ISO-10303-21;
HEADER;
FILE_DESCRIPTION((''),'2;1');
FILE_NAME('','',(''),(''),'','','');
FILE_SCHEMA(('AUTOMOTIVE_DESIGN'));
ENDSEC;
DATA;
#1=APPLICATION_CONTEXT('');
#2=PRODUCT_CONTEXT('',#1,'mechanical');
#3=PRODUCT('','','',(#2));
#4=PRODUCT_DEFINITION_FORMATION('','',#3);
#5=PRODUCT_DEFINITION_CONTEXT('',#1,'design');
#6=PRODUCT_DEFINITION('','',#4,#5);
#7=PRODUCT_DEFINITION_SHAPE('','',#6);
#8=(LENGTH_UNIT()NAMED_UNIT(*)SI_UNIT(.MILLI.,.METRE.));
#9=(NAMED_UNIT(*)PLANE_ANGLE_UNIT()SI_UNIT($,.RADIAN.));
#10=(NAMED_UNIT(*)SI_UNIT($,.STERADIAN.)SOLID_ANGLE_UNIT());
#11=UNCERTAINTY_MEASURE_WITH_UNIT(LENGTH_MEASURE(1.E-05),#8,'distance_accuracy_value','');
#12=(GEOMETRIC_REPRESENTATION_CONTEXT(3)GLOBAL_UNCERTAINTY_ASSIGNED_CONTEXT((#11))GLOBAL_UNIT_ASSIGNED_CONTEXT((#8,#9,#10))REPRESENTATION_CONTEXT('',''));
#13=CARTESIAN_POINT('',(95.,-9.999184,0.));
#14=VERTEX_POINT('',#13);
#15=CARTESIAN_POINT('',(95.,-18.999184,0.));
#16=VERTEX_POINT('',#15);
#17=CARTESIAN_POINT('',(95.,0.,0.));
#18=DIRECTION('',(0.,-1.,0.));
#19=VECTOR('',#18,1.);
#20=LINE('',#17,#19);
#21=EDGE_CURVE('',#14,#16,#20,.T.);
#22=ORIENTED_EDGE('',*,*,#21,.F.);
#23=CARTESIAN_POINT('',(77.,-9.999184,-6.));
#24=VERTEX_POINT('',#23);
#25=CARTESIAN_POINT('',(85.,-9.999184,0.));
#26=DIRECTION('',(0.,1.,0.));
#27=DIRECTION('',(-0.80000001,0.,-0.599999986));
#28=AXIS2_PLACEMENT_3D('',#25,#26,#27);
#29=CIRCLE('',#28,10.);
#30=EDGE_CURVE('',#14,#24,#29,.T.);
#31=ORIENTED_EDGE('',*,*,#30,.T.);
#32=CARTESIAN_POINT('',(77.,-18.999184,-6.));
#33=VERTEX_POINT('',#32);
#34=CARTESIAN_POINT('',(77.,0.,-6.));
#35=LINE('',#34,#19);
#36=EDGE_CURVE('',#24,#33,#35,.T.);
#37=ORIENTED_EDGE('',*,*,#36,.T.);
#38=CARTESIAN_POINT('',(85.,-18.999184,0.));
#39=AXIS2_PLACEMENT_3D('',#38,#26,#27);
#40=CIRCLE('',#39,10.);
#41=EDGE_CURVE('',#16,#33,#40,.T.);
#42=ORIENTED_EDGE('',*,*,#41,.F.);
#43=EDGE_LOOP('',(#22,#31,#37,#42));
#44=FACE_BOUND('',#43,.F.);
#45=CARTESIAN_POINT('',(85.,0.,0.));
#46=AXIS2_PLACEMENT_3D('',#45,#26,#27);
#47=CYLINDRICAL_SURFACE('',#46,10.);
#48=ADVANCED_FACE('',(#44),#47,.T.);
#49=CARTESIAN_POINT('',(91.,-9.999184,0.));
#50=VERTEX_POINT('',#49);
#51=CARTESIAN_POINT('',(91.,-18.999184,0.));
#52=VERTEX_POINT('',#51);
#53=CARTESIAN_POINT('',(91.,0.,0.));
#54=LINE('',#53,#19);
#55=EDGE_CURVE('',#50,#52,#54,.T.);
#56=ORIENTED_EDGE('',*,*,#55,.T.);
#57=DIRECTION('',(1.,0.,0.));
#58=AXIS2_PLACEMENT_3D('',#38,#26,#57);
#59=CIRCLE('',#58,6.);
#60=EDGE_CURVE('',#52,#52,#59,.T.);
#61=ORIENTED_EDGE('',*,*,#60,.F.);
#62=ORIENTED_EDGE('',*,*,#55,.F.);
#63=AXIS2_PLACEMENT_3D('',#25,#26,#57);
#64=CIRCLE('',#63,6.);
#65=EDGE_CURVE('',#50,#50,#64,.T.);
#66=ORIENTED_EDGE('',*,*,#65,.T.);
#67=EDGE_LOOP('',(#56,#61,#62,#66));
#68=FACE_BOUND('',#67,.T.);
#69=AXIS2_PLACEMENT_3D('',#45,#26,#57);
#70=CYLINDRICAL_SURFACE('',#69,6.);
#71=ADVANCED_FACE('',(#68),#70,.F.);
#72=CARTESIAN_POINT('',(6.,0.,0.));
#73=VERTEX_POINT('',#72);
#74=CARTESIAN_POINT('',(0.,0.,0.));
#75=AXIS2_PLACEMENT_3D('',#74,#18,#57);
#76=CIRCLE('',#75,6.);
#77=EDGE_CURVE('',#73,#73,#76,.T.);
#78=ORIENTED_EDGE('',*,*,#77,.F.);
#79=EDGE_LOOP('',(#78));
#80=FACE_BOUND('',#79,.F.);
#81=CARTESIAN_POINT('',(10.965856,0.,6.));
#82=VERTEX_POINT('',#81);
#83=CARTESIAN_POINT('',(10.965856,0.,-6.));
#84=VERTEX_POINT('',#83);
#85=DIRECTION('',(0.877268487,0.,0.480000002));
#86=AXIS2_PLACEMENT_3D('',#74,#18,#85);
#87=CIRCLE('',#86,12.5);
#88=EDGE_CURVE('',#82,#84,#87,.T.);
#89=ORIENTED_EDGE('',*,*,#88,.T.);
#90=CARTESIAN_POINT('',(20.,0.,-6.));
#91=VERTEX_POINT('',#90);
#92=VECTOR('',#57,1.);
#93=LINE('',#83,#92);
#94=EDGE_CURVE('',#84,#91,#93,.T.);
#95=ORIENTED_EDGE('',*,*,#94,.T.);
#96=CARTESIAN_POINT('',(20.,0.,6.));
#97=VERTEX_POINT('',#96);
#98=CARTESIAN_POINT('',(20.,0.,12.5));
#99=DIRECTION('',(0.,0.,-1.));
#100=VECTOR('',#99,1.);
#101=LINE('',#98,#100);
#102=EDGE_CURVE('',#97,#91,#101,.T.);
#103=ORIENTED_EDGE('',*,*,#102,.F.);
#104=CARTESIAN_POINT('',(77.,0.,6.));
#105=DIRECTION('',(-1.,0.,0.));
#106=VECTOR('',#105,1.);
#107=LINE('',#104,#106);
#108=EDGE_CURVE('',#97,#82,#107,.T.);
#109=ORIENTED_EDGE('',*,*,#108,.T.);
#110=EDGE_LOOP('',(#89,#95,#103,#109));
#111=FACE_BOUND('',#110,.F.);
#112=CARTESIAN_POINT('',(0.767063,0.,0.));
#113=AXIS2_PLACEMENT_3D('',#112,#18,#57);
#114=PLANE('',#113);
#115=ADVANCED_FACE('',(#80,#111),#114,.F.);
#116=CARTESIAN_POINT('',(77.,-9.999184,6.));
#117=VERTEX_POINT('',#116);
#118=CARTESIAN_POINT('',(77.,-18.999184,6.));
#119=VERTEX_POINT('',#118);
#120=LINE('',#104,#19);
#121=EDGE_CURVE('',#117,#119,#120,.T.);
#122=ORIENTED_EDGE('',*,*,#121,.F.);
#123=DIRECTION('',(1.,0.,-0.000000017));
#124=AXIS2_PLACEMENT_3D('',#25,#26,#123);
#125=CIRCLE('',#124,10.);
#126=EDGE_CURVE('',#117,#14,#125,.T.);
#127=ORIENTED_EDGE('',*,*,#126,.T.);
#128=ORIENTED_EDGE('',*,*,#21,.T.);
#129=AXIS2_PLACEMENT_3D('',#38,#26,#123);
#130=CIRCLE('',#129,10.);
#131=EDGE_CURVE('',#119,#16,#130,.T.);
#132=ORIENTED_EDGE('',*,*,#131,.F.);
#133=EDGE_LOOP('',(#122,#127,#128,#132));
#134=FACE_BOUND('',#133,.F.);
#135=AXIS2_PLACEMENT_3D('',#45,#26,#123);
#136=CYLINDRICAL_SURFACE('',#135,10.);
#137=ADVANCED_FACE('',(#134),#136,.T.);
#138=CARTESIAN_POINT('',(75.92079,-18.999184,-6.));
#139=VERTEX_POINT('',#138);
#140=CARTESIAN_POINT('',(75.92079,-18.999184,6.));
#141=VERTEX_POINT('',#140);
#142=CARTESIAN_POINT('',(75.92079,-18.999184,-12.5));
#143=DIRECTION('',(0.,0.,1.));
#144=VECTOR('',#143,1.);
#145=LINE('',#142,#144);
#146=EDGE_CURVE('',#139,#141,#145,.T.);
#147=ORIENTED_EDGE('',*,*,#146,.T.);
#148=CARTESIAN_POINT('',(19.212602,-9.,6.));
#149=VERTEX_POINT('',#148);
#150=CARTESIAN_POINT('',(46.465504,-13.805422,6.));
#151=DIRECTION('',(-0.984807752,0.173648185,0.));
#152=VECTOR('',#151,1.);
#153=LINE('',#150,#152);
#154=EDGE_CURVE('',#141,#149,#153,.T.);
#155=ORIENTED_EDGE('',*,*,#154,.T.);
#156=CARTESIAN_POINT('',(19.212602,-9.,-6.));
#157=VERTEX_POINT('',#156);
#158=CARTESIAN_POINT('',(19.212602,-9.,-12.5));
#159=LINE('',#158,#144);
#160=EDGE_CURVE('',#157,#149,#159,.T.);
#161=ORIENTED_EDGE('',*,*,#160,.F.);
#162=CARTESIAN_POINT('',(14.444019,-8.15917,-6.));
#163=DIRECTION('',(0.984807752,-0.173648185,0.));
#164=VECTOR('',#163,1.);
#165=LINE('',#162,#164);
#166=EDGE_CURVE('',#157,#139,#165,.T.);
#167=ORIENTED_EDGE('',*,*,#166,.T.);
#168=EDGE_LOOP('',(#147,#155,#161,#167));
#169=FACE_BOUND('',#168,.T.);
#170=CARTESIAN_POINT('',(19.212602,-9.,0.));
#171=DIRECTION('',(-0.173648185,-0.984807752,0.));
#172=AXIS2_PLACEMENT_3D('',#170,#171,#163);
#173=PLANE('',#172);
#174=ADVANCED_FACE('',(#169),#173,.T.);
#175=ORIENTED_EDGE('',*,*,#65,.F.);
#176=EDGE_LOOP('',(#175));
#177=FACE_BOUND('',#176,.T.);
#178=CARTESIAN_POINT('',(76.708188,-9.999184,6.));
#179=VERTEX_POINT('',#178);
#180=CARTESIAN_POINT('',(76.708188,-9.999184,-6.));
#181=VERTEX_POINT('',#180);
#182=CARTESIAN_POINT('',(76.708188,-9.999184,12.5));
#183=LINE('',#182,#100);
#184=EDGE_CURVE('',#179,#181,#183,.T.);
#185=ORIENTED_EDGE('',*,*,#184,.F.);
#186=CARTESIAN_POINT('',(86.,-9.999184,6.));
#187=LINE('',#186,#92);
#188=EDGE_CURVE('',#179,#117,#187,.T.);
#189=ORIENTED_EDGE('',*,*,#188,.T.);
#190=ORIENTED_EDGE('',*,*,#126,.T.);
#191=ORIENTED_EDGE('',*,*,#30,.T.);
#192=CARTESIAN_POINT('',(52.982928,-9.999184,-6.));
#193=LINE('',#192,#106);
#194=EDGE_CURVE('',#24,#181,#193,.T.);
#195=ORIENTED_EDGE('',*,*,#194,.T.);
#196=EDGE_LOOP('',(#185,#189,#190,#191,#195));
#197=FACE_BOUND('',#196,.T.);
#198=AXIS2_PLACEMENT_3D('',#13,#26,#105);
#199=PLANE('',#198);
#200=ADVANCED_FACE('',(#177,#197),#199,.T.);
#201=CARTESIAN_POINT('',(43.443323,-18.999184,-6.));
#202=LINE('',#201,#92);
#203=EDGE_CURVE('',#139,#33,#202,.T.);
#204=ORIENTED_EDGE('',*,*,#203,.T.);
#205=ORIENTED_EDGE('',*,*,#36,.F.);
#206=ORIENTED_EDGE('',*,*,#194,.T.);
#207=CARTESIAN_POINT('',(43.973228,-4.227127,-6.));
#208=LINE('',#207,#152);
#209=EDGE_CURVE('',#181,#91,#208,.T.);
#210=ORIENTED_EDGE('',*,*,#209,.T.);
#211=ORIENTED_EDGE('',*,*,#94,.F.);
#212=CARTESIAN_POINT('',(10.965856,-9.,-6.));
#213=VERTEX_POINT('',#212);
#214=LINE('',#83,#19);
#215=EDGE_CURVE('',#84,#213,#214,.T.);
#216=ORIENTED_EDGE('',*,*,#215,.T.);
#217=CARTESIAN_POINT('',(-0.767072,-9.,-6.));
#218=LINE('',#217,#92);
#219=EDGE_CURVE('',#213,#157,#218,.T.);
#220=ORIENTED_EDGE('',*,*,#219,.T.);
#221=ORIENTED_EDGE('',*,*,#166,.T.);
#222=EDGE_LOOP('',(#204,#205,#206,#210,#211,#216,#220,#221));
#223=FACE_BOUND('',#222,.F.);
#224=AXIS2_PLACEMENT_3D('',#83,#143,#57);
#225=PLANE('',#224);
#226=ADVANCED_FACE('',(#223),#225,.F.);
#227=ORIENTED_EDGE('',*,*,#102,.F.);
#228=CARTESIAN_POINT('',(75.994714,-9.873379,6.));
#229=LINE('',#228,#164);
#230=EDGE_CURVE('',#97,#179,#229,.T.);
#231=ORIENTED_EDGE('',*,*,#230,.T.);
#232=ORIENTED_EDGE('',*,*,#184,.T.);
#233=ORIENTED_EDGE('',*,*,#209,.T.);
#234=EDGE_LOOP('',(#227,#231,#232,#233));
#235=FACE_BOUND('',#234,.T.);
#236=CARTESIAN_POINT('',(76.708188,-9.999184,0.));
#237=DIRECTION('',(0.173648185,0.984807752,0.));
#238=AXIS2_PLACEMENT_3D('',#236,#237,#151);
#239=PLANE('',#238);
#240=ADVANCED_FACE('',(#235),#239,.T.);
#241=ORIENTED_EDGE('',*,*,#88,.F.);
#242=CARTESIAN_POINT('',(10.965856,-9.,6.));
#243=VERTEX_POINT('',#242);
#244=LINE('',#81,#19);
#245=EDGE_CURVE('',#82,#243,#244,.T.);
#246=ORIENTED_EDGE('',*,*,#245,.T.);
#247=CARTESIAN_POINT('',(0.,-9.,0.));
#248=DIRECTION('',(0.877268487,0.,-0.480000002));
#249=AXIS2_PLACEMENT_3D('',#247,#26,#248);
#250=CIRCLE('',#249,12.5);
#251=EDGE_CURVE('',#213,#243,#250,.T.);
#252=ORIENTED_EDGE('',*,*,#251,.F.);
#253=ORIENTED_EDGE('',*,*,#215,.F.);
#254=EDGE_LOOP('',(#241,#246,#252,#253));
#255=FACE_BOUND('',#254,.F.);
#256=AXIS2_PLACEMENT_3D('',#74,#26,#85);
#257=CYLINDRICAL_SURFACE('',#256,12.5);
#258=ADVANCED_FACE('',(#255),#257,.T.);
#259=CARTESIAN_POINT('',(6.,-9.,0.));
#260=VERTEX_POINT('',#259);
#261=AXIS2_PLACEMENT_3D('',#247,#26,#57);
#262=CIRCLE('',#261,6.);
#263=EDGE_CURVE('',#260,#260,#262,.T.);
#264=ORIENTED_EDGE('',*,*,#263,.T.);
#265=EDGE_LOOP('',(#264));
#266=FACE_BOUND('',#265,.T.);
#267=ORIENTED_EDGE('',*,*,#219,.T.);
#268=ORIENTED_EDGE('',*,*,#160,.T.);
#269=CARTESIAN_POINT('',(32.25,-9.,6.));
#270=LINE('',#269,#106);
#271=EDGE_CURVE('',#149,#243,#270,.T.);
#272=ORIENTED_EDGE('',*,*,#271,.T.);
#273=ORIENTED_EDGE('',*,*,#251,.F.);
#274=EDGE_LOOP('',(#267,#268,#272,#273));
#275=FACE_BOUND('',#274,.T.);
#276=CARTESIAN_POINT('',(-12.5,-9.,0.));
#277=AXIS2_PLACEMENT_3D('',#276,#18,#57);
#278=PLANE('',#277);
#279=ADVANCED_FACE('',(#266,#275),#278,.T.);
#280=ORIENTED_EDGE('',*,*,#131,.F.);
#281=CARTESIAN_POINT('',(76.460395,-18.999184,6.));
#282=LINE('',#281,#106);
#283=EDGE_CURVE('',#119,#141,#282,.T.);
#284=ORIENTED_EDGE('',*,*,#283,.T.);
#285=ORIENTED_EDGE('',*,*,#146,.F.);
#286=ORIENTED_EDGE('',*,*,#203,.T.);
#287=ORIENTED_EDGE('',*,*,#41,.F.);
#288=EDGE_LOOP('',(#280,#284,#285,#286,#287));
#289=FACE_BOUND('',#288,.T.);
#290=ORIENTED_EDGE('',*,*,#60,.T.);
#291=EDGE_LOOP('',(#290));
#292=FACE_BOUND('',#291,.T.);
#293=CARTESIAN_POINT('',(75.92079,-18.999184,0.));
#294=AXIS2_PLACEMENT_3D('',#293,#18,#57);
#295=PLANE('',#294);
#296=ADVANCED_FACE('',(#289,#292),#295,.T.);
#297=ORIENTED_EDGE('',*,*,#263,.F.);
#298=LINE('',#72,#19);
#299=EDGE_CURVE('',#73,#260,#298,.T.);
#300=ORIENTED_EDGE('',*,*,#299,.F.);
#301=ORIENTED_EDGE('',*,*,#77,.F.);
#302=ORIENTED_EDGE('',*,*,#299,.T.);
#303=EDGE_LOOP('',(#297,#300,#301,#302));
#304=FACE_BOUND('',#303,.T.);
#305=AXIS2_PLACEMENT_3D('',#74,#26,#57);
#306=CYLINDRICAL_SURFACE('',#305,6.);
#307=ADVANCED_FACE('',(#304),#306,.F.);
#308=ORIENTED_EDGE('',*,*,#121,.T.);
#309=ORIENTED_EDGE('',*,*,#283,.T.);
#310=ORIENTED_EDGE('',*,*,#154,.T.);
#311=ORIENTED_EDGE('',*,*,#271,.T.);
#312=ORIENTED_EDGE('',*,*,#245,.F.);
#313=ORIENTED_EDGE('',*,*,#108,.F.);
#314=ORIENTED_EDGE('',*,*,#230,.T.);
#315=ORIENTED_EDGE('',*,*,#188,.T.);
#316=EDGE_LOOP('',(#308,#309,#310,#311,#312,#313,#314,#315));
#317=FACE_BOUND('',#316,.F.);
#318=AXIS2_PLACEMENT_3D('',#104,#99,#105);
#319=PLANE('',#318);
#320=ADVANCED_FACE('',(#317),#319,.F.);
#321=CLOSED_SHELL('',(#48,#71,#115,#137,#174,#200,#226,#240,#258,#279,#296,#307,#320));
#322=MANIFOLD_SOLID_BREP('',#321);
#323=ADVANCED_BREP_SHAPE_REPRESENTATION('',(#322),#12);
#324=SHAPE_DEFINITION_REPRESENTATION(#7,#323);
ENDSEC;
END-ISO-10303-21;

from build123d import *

# Parameters (mm, degrees)
F0_R     = 6
F1_DEPTH = 25
F3_DEPTH = 12.5


with BuildPart() as f1:
    # F0 (on Front) → F1 (new body)
    with BuildSketch(Plane.XZ):
        with BuildLine():
            ThreePointArc((10.965856, -6), (12.110392, -3.096514), (12.5, 0))
            ThreePointArc((12.5, 0), (12.110392, 3.096514), (10.965856, 6))
            ThreePointArc((10.965856, 6), (-12.5, 0), (10.965856, -6))
        make_face()
        Circle(F0_R, mode=Mode.SUBTRACT)
        with BuildLine():
            ThreePointArc((10.965856, 6), (12.110392, 3.096514), (12.5, 0))
            ThreePointArc((12.5, 0), (12.110392, -3.096514), (10.965856, -6))
            Line((10.965856, -6), (77, -6))
            ThreePointArc((77, -6), (75, 0), (77, 6))
            Line((77, 6), (10.965856, 6))
        make_face()
        with BuildLine():
            ThreePointArc((95, 0), (88.162278, 9.486833), (77, 6))
            ThreePointArc((77, 6), (75, 0), (77, -6))
            ThreePointArc((77, -6), (88.162278, -9.486833), (95, 0))
        make_face()
        with Locations((85, 0)):
            Circle(F0_R, mode=Mode.SUBTRACT)
    extrude(amount=F1_DEPTH)

    # F2 (on Top) → F3 (intersect, symmetric)
    with BuildSketch(Plane.XY):
        Polygon((20, 0), (-12.5, 0), (-12.5, -9), (19.212602, -9), (75.92079, -18.999184), (95, -18.999184), (95, -9.999184), (76.708188, -9.999184), align=None)
    extrude(amount=F3_DEPTH, both=True, mode=Mode.INTERSECT)


solid = f1.part
